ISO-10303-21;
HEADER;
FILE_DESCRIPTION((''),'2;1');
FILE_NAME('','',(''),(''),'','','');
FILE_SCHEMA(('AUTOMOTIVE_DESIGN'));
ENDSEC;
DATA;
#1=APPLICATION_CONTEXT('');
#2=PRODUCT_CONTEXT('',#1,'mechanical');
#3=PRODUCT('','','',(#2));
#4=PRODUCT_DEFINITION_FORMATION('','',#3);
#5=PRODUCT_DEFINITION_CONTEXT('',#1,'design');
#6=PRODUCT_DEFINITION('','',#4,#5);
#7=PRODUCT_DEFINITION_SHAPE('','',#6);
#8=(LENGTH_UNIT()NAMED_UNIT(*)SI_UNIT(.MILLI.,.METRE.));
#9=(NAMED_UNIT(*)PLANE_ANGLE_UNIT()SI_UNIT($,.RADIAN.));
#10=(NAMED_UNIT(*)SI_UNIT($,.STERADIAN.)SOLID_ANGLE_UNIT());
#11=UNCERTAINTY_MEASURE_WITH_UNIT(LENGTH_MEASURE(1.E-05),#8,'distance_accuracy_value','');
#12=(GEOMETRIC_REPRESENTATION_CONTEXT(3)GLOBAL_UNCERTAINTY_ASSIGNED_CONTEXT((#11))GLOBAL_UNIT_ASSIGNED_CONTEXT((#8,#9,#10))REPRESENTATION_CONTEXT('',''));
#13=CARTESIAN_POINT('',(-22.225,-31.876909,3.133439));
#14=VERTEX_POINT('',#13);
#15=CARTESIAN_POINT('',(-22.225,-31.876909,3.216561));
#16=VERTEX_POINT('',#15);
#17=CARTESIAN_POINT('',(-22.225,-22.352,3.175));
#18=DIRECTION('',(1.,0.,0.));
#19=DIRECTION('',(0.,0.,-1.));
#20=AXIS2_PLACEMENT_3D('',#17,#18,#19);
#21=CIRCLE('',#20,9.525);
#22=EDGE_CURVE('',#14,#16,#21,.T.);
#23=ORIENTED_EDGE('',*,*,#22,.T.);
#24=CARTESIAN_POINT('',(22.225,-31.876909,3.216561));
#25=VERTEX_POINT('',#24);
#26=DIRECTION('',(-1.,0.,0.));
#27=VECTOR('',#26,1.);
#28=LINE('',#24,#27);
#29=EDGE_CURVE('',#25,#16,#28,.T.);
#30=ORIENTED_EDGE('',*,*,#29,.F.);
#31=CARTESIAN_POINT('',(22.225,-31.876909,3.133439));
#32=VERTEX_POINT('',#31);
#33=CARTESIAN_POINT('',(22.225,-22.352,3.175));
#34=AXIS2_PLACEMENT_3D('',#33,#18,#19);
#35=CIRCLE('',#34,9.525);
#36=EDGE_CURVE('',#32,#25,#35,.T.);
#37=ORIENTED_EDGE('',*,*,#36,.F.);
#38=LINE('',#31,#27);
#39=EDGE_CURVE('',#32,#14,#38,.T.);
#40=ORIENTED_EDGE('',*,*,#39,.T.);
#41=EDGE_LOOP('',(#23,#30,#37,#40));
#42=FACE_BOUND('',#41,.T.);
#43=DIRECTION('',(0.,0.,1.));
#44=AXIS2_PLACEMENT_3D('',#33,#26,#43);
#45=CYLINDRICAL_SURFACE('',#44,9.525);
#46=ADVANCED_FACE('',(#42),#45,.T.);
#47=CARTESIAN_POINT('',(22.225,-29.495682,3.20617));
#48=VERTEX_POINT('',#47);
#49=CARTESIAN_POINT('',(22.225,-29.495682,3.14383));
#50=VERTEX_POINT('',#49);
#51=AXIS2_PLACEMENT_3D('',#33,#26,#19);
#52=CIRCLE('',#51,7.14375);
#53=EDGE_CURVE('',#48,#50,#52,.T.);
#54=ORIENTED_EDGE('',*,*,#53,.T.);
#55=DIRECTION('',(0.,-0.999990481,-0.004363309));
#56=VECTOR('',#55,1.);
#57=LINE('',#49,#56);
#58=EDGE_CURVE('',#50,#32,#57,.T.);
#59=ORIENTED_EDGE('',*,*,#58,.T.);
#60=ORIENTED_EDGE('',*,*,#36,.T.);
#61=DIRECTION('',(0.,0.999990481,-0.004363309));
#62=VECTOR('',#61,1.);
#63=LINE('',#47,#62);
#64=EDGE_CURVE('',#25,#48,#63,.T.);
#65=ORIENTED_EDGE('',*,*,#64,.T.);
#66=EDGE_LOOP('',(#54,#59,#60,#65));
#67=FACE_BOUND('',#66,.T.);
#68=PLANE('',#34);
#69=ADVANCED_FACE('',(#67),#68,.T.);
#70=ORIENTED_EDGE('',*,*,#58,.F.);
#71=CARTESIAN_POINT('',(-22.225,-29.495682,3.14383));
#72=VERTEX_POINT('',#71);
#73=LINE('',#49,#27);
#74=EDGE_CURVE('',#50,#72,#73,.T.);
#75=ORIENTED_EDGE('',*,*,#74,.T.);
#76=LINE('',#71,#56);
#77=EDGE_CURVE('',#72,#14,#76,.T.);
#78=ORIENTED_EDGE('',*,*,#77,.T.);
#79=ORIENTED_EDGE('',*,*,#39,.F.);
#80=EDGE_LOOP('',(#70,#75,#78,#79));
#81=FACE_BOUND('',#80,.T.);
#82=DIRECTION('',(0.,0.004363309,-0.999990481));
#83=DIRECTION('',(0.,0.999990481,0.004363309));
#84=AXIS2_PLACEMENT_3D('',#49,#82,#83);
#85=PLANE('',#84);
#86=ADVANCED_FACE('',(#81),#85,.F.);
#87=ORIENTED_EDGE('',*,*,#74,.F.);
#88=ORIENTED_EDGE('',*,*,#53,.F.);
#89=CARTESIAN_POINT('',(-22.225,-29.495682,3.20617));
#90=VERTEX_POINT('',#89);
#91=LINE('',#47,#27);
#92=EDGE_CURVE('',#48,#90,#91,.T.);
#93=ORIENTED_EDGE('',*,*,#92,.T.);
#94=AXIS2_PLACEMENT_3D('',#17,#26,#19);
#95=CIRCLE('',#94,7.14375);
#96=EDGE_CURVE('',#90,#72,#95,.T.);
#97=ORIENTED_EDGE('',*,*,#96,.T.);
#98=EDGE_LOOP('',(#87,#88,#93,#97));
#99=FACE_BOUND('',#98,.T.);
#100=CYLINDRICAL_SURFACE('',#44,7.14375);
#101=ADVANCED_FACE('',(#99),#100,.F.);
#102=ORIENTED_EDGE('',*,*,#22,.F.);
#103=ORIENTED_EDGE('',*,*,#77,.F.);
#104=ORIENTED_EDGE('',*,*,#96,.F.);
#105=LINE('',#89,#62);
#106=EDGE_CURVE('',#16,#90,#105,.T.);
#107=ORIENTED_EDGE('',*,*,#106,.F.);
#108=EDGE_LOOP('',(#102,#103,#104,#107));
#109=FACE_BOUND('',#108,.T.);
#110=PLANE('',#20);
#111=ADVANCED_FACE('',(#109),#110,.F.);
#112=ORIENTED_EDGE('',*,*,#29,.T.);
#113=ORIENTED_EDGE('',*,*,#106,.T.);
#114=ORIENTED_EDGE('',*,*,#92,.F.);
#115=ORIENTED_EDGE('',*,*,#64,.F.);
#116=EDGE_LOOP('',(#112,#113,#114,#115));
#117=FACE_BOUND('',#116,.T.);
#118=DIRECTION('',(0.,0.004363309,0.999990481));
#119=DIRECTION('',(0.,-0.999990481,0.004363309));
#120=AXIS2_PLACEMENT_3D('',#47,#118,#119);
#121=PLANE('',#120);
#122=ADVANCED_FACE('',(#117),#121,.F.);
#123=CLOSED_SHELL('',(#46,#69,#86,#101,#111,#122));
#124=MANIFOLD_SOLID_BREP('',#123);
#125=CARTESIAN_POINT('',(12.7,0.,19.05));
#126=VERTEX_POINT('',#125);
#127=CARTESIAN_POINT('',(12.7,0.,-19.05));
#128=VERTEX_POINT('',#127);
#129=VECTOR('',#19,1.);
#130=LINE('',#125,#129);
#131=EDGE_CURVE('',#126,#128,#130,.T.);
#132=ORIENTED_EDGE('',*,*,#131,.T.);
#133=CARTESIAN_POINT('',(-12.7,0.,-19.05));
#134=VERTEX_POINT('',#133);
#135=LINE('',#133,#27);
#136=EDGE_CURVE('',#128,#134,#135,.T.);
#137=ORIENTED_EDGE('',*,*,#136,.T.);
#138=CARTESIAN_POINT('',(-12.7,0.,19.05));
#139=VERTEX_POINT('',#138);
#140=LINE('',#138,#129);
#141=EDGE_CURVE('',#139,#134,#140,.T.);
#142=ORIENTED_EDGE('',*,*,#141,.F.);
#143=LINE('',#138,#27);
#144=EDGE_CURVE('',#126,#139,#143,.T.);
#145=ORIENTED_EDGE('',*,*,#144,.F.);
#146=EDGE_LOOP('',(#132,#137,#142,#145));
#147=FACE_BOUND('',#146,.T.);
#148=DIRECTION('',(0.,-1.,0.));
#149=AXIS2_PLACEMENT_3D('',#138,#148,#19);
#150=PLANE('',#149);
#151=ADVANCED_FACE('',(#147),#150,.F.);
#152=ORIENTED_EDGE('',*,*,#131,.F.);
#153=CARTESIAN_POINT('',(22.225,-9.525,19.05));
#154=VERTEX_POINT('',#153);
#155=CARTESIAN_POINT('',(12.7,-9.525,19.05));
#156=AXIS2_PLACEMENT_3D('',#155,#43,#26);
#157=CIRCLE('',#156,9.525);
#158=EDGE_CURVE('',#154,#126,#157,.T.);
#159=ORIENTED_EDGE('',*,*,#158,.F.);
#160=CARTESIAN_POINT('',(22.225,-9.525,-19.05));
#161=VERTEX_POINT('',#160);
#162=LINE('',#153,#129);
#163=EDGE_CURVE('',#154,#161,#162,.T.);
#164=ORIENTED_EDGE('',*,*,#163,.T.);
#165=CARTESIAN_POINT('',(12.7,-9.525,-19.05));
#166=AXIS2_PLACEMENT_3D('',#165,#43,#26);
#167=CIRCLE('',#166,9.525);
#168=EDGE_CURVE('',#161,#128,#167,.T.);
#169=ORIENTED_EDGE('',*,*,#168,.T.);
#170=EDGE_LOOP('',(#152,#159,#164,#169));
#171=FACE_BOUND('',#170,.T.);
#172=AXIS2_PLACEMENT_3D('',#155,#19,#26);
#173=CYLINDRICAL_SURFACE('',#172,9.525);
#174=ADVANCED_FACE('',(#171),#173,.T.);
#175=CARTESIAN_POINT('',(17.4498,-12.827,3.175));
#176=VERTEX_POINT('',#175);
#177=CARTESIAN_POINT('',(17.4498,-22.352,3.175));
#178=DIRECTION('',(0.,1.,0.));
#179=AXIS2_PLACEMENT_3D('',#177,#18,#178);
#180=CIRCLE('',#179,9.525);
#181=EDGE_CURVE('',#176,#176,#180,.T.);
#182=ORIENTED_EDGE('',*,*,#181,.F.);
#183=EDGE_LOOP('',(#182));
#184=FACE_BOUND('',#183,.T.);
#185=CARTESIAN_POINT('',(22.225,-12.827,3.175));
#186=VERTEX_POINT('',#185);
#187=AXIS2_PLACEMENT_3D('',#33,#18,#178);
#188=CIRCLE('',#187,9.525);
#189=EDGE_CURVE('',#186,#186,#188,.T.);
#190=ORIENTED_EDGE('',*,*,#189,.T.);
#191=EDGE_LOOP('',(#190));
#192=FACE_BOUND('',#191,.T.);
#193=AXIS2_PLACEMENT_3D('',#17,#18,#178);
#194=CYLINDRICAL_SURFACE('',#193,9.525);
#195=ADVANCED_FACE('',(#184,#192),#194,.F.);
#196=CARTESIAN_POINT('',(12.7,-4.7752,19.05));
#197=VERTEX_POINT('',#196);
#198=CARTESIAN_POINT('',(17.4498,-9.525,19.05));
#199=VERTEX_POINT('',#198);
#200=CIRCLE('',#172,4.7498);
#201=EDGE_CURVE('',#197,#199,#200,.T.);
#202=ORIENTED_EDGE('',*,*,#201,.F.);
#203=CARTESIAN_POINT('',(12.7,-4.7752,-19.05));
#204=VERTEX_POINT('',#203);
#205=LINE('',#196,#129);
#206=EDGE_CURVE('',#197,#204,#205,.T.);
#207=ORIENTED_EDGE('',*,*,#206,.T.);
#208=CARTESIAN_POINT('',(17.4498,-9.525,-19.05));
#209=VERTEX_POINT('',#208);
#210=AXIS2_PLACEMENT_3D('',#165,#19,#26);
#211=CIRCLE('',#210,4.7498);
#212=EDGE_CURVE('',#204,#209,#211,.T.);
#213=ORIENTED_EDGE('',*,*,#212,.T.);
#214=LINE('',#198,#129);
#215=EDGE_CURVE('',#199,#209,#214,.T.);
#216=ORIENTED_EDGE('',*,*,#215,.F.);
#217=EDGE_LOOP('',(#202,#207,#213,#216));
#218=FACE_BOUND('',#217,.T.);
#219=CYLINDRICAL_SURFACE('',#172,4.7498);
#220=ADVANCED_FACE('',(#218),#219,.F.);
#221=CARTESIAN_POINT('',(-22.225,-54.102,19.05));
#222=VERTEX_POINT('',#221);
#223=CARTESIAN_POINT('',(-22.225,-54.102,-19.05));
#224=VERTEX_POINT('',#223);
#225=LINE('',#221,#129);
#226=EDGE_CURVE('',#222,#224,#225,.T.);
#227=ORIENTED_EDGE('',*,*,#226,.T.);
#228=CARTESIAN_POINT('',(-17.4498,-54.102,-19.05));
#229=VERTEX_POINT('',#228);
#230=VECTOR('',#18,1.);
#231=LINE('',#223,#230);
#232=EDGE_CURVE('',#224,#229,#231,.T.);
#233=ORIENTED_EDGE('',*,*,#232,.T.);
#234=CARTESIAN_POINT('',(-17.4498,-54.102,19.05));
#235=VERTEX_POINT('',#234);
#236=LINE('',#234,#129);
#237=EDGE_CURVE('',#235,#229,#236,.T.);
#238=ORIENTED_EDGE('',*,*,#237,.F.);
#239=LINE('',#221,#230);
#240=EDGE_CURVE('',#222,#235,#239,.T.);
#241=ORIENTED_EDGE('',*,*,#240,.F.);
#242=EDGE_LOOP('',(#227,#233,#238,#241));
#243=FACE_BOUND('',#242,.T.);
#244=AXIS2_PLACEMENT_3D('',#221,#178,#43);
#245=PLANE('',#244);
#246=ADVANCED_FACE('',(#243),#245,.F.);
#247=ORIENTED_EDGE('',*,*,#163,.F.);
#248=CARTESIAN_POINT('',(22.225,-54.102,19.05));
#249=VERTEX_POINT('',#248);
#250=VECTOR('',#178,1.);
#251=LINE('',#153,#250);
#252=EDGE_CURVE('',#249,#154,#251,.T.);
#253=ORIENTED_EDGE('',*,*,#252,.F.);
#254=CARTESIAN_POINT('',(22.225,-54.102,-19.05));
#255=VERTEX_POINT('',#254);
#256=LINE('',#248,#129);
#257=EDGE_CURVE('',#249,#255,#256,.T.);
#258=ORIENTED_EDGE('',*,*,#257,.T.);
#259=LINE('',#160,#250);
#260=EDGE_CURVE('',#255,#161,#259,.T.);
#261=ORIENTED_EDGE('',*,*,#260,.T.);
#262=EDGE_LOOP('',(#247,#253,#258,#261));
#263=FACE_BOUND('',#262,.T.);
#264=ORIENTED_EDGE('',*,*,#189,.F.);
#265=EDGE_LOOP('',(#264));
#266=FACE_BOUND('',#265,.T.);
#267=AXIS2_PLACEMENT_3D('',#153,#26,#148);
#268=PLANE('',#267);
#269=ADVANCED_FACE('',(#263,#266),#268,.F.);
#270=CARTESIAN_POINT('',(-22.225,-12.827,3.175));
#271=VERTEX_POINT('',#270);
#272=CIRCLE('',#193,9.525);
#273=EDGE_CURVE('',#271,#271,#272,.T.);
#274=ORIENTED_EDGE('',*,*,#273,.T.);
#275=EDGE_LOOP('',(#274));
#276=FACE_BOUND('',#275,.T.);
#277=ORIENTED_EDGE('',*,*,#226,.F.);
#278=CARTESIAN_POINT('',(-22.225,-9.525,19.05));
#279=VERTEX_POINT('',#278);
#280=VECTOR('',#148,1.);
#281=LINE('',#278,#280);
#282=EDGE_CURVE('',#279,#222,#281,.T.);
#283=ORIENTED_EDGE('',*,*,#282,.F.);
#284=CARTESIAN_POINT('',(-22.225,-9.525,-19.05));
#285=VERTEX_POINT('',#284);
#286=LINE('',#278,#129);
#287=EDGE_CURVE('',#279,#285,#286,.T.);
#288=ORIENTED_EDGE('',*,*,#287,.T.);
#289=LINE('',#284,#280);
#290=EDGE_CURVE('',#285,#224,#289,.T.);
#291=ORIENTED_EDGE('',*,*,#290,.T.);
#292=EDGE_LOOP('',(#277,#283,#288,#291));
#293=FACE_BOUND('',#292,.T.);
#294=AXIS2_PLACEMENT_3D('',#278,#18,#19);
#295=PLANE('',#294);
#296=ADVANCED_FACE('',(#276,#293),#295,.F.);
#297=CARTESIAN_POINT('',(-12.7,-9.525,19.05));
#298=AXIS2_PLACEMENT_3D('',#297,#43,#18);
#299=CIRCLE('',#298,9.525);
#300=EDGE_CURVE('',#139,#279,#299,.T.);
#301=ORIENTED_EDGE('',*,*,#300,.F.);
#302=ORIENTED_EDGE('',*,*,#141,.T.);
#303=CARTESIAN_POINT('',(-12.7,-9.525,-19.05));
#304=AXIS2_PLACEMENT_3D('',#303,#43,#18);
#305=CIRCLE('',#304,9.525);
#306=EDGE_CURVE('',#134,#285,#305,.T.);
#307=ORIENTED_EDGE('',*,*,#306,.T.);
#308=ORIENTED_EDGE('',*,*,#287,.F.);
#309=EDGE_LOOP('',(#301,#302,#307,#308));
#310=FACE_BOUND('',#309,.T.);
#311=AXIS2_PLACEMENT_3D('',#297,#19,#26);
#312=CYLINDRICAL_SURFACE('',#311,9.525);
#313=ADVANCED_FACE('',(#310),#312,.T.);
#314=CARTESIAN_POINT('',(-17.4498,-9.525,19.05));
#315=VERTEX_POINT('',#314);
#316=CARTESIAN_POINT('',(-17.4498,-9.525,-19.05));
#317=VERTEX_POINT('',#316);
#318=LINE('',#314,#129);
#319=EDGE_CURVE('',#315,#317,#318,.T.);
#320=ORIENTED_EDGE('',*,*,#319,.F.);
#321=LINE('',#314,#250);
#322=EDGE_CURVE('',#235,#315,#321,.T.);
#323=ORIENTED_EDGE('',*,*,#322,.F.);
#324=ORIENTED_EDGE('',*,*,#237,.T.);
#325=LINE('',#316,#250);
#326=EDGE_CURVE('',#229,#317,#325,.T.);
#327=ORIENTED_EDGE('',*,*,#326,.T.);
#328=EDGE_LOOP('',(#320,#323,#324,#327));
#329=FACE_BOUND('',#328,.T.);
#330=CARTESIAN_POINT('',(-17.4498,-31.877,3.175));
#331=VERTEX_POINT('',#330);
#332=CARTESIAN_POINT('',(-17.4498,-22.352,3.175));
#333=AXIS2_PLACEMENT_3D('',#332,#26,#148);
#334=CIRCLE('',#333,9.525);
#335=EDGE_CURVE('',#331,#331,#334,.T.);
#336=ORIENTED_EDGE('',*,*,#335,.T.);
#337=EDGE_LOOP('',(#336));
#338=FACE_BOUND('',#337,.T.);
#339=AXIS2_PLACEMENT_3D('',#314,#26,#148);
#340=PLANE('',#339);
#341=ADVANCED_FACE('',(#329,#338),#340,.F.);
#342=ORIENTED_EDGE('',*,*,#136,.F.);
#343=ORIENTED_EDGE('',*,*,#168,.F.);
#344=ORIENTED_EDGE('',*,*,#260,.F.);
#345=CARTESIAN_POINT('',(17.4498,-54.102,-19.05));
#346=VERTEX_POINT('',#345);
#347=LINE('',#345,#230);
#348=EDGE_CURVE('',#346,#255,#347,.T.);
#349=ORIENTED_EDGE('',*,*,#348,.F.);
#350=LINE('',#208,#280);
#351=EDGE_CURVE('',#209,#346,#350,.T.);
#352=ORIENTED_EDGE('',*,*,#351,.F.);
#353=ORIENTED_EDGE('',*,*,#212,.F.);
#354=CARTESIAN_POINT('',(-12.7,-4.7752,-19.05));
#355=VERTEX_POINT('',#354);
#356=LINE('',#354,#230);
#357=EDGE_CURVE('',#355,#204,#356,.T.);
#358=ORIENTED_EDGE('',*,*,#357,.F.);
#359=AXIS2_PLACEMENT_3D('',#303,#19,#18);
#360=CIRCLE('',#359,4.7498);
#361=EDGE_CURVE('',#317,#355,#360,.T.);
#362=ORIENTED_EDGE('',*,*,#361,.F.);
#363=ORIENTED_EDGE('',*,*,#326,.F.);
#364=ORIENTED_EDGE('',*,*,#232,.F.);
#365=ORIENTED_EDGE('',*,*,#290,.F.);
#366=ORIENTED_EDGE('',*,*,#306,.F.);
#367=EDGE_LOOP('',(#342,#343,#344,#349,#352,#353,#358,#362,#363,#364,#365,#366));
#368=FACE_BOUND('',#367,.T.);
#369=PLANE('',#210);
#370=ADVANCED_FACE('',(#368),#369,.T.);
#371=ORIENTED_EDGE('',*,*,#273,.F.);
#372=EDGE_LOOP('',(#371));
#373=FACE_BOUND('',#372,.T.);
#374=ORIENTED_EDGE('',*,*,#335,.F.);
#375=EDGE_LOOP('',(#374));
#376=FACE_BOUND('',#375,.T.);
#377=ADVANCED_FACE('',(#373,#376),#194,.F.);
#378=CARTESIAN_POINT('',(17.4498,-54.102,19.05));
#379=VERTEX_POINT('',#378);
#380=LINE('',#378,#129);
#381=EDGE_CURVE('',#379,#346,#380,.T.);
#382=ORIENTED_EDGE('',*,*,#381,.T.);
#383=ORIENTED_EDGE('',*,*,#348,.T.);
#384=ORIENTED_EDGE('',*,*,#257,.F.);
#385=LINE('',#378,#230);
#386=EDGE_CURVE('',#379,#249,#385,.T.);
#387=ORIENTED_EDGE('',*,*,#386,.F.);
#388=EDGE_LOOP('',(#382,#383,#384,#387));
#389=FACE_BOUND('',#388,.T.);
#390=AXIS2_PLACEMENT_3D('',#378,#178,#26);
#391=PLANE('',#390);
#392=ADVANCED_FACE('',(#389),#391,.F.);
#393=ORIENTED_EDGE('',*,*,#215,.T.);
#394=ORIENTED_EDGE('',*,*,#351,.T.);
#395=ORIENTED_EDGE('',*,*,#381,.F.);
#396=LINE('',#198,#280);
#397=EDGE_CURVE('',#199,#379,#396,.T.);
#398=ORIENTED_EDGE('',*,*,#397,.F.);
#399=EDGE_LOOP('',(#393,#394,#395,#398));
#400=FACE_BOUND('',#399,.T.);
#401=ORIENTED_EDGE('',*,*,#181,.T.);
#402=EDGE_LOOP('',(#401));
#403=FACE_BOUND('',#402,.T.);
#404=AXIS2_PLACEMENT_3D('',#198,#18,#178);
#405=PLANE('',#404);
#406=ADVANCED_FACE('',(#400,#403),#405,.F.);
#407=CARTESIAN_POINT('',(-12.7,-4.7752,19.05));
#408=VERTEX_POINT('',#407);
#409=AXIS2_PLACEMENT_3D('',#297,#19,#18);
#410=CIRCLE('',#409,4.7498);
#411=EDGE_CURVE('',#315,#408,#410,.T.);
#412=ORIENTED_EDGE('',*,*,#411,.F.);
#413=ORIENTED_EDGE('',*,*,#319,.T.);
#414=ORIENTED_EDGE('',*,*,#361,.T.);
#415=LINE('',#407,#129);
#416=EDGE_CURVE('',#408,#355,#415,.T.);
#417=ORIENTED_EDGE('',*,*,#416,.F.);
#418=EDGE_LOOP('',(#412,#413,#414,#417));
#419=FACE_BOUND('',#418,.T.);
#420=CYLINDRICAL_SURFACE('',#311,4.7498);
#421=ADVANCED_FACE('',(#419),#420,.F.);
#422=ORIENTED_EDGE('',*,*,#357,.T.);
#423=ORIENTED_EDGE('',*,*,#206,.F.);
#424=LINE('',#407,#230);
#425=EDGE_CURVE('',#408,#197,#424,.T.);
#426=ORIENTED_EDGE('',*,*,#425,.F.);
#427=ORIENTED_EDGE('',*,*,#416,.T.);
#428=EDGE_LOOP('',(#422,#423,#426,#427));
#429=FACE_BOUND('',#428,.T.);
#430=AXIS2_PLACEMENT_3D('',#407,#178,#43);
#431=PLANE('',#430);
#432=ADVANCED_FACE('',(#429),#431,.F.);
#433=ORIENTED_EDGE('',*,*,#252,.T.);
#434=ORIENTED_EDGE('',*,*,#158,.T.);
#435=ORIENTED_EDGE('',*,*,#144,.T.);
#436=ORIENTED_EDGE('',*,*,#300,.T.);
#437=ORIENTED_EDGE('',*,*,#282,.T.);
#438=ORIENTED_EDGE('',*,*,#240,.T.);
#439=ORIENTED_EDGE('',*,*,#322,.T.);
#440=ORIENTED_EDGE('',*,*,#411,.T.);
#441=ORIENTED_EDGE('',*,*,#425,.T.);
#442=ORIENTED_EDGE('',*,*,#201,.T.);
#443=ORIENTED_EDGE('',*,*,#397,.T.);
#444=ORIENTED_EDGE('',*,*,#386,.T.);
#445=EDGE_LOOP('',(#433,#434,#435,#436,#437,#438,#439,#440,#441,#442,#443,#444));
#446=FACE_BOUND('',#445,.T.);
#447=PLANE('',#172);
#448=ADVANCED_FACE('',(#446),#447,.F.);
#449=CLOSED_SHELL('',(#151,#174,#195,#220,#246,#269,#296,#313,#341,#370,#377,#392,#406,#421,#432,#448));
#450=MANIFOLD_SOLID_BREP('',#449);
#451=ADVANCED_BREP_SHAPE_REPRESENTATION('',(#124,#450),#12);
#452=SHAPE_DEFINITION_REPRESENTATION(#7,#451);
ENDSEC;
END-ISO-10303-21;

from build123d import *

# Parameters (mm, degrees)
BOSS_EXTRUDE1_DEPTH = 19.05
SKETCH2_R           = 9.525
CUT_EXTRUDE1_DEPTH  = 73.565359532
BOSS_EXTRUDE2_DEPTH = 22.225


with BuildPart() as part:
    # Sketch1 → Boss-Extrude1 (new, symmetric)
    with BuildSketch(Plane.XY):
        with BuildLine():
            Line((-17.4498, -9.525), (-17.4498, -54.102))
            Line((-17.4498, -54.102), (-22.225, -54.102))
            Line((-22.225, -54.102), (-22.225, -9.525))
            ThreePointArc((-22.225, -9.525), (-19.435192091, -2.789807909), (-12.7, 0))
            Line((-12.7, 0), (12.7, 0))
            ThreePointArc((12.7, 0), (19.435192091, -2.789807909), (22.225, -9.525))
            Line((22.225, -9.525), (22.225, -54.102))
            Line((22.225, -54.102), (17.4498, -54.102))
            Line((17.4498, -54.102), (17.4498, -9.525))
            ThreePointArc((17.4498, -9.525), (16.058615789, -6.166384211), (12.7, -4.7752))
            Line((12.7, -4.7752), (-12.7, -4.7752))
            ThreePointArc((-12.7, -4.7752), (-16.058615789, -6.166384211), (-17.4498, -9.525))
        make_face()
    extrude(amount=BOSS_EXTRUDE1_DEPTH, both=True)

    # Sketch2 → Cut-Extrude1 (cut, through all)
    with BuildSketch(Plane(origin=(22.225, 0, 0), x_dir=(0, 0, -1), z_dir=(1, 0, 0))):
        with Locations(Location((-3.175, -22.352, 0), (0, 0, 90))):
            Circle(SKETCH2_R)
    extrude(amount=-CUT_EXTRUDE1_DEPTH, mode=Mode.SUBTRACT)


with BuildPart() as body_2:
    # Sketch3 → Boss-Extrude2 (new, symmetric)
    with BuildSketch(Plane(origin=(0, 0, 0), x_dir=(0, 0, -1), z_dir=(1, 0, 0))):
        with BuildLine():
            Line((-3.143829609, -29.495681997), (-3.133439479, -31.876909329))
            ThreePointArc((-3.133439479, -31.876909329), (-3.175, -12.827), (-3.216560521, -31.876909329))
            Line((-3.216560521, -31.876909329), (-3.206170391, -29.495681997))
            ThreePointArc((-3.206170391, -29.495681997), (-3.175, -15.20825), (-3.143829609, -29.495681997))
        make_face()
    extrude(amount=BOSS_EXTRUDE2_DEPTH, both=True)


solid = Compound([part.part, body_2.part])
